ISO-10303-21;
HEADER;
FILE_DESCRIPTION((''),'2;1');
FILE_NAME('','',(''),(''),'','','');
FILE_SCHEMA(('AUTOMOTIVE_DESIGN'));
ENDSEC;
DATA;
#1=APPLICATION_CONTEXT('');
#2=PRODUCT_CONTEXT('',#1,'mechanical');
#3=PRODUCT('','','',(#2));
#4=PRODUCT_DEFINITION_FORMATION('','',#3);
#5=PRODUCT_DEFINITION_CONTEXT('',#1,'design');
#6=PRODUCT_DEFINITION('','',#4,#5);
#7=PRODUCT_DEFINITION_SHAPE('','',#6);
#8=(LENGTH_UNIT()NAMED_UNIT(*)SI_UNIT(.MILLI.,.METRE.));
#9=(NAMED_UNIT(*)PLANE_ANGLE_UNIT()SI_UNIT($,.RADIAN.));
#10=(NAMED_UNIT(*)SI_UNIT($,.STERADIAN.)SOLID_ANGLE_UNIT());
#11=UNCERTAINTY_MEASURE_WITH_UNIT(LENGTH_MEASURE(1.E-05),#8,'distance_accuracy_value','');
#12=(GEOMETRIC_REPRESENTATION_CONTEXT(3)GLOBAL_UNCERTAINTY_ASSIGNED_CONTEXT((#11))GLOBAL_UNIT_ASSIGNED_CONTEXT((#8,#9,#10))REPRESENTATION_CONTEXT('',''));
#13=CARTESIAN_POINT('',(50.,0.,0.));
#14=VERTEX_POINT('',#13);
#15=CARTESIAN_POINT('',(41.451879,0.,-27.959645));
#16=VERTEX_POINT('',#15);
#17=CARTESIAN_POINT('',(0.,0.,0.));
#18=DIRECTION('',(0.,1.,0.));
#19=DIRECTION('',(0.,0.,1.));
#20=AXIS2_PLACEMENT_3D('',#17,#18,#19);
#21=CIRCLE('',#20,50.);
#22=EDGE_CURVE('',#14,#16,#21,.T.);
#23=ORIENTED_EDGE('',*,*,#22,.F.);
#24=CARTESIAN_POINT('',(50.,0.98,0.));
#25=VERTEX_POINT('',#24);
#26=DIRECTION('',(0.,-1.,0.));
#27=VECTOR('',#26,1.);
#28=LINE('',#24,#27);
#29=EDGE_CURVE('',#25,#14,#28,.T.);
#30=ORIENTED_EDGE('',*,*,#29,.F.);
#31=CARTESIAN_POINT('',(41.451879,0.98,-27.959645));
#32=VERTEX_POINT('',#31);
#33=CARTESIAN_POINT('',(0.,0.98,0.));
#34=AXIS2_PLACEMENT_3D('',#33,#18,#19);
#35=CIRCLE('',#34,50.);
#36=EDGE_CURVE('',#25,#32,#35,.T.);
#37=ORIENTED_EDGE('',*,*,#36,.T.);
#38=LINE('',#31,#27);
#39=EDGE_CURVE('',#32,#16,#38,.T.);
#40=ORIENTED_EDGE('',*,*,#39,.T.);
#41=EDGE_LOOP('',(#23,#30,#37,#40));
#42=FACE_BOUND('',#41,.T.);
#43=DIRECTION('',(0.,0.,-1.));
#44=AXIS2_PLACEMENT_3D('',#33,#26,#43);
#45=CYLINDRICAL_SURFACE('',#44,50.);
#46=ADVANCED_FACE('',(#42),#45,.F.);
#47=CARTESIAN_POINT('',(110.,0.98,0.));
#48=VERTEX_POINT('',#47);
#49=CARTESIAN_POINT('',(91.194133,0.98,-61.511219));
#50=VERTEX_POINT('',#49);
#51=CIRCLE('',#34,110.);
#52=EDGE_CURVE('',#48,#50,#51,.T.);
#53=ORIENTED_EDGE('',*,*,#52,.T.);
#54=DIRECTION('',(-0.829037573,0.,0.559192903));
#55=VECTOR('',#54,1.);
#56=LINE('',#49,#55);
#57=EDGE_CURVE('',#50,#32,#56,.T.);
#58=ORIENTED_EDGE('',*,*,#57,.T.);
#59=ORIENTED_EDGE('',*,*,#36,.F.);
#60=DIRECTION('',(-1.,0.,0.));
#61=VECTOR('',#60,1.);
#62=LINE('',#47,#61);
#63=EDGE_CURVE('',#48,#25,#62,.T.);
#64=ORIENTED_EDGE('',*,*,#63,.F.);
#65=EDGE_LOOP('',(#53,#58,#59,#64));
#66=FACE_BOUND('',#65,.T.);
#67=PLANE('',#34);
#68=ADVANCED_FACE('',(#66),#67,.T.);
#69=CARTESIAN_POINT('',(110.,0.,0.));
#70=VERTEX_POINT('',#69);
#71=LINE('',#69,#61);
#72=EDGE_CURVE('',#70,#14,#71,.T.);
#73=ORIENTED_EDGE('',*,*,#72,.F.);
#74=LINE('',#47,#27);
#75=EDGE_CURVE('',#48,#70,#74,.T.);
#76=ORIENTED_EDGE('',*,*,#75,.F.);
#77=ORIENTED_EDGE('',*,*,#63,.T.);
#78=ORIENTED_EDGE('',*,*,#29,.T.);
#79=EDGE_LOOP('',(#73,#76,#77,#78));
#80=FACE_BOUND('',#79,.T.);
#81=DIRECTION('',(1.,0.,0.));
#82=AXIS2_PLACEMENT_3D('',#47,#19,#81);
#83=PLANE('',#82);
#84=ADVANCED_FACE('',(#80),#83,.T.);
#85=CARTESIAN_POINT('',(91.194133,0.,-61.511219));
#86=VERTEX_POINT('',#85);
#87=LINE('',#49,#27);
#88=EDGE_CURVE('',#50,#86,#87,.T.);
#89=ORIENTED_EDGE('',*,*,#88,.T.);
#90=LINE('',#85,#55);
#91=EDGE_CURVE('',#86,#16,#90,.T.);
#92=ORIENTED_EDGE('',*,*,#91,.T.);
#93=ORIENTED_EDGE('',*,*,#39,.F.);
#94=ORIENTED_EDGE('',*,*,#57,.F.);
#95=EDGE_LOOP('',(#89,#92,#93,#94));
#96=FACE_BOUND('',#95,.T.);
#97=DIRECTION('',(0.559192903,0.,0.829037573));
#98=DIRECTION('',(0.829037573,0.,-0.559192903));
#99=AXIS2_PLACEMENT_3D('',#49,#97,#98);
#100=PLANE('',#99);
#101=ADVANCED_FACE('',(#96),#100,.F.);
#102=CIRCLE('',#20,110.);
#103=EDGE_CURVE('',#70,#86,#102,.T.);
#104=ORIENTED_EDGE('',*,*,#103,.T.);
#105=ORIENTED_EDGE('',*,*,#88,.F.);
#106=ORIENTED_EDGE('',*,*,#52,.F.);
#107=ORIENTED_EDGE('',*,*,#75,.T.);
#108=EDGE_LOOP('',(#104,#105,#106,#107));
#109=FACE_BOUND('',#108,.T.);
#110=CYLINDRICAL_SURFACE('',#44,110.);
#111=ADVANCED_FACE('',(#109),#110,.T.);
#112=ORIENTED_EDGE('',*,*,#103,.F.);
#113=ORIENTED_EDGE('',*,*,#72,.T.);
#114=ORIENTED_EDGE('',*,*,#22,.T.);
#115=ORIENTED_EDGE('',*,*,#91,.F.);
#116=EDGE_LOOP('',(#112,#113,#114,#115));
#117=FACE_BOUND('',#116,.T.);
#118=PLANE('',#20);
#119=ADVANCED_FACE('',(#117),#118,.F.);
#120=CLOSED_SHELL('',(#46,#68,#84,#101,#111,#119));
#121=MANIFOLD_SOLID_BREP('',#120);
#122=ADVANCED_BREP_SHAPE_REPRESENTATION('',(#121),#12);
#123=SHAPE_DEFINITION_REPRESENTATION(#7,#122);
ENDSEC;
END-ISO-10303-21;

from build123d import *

# Parameters (mm, degrees)
EXTRUDE_1_DEPTH = 0.98


with BuildPart() as part:
    # 草图1 → 凸台-拉伸1 (new body)
    with BuildSketch(Plane(origin=(0, 0, 0), x_dir=(1, 0, 0), z_dir=(0, 1, 0))):
        with BuildLine():
            Line((91.194132981, 61.511219382), (41.451878628, 27.959645174))
            ThreePointArc((41.451878628, 27.959645174), (47.815237798, 14.618585236), (50, 0))
            Line((50, 0), (110, 0))
            ThreePointArc((110, 0), (105.193523156, 32.16088752), (91.194132981, 61.511219382))
        make_face()
    extrude(amount=EXTRUDE_1_DEPTH)


solid = part.part
